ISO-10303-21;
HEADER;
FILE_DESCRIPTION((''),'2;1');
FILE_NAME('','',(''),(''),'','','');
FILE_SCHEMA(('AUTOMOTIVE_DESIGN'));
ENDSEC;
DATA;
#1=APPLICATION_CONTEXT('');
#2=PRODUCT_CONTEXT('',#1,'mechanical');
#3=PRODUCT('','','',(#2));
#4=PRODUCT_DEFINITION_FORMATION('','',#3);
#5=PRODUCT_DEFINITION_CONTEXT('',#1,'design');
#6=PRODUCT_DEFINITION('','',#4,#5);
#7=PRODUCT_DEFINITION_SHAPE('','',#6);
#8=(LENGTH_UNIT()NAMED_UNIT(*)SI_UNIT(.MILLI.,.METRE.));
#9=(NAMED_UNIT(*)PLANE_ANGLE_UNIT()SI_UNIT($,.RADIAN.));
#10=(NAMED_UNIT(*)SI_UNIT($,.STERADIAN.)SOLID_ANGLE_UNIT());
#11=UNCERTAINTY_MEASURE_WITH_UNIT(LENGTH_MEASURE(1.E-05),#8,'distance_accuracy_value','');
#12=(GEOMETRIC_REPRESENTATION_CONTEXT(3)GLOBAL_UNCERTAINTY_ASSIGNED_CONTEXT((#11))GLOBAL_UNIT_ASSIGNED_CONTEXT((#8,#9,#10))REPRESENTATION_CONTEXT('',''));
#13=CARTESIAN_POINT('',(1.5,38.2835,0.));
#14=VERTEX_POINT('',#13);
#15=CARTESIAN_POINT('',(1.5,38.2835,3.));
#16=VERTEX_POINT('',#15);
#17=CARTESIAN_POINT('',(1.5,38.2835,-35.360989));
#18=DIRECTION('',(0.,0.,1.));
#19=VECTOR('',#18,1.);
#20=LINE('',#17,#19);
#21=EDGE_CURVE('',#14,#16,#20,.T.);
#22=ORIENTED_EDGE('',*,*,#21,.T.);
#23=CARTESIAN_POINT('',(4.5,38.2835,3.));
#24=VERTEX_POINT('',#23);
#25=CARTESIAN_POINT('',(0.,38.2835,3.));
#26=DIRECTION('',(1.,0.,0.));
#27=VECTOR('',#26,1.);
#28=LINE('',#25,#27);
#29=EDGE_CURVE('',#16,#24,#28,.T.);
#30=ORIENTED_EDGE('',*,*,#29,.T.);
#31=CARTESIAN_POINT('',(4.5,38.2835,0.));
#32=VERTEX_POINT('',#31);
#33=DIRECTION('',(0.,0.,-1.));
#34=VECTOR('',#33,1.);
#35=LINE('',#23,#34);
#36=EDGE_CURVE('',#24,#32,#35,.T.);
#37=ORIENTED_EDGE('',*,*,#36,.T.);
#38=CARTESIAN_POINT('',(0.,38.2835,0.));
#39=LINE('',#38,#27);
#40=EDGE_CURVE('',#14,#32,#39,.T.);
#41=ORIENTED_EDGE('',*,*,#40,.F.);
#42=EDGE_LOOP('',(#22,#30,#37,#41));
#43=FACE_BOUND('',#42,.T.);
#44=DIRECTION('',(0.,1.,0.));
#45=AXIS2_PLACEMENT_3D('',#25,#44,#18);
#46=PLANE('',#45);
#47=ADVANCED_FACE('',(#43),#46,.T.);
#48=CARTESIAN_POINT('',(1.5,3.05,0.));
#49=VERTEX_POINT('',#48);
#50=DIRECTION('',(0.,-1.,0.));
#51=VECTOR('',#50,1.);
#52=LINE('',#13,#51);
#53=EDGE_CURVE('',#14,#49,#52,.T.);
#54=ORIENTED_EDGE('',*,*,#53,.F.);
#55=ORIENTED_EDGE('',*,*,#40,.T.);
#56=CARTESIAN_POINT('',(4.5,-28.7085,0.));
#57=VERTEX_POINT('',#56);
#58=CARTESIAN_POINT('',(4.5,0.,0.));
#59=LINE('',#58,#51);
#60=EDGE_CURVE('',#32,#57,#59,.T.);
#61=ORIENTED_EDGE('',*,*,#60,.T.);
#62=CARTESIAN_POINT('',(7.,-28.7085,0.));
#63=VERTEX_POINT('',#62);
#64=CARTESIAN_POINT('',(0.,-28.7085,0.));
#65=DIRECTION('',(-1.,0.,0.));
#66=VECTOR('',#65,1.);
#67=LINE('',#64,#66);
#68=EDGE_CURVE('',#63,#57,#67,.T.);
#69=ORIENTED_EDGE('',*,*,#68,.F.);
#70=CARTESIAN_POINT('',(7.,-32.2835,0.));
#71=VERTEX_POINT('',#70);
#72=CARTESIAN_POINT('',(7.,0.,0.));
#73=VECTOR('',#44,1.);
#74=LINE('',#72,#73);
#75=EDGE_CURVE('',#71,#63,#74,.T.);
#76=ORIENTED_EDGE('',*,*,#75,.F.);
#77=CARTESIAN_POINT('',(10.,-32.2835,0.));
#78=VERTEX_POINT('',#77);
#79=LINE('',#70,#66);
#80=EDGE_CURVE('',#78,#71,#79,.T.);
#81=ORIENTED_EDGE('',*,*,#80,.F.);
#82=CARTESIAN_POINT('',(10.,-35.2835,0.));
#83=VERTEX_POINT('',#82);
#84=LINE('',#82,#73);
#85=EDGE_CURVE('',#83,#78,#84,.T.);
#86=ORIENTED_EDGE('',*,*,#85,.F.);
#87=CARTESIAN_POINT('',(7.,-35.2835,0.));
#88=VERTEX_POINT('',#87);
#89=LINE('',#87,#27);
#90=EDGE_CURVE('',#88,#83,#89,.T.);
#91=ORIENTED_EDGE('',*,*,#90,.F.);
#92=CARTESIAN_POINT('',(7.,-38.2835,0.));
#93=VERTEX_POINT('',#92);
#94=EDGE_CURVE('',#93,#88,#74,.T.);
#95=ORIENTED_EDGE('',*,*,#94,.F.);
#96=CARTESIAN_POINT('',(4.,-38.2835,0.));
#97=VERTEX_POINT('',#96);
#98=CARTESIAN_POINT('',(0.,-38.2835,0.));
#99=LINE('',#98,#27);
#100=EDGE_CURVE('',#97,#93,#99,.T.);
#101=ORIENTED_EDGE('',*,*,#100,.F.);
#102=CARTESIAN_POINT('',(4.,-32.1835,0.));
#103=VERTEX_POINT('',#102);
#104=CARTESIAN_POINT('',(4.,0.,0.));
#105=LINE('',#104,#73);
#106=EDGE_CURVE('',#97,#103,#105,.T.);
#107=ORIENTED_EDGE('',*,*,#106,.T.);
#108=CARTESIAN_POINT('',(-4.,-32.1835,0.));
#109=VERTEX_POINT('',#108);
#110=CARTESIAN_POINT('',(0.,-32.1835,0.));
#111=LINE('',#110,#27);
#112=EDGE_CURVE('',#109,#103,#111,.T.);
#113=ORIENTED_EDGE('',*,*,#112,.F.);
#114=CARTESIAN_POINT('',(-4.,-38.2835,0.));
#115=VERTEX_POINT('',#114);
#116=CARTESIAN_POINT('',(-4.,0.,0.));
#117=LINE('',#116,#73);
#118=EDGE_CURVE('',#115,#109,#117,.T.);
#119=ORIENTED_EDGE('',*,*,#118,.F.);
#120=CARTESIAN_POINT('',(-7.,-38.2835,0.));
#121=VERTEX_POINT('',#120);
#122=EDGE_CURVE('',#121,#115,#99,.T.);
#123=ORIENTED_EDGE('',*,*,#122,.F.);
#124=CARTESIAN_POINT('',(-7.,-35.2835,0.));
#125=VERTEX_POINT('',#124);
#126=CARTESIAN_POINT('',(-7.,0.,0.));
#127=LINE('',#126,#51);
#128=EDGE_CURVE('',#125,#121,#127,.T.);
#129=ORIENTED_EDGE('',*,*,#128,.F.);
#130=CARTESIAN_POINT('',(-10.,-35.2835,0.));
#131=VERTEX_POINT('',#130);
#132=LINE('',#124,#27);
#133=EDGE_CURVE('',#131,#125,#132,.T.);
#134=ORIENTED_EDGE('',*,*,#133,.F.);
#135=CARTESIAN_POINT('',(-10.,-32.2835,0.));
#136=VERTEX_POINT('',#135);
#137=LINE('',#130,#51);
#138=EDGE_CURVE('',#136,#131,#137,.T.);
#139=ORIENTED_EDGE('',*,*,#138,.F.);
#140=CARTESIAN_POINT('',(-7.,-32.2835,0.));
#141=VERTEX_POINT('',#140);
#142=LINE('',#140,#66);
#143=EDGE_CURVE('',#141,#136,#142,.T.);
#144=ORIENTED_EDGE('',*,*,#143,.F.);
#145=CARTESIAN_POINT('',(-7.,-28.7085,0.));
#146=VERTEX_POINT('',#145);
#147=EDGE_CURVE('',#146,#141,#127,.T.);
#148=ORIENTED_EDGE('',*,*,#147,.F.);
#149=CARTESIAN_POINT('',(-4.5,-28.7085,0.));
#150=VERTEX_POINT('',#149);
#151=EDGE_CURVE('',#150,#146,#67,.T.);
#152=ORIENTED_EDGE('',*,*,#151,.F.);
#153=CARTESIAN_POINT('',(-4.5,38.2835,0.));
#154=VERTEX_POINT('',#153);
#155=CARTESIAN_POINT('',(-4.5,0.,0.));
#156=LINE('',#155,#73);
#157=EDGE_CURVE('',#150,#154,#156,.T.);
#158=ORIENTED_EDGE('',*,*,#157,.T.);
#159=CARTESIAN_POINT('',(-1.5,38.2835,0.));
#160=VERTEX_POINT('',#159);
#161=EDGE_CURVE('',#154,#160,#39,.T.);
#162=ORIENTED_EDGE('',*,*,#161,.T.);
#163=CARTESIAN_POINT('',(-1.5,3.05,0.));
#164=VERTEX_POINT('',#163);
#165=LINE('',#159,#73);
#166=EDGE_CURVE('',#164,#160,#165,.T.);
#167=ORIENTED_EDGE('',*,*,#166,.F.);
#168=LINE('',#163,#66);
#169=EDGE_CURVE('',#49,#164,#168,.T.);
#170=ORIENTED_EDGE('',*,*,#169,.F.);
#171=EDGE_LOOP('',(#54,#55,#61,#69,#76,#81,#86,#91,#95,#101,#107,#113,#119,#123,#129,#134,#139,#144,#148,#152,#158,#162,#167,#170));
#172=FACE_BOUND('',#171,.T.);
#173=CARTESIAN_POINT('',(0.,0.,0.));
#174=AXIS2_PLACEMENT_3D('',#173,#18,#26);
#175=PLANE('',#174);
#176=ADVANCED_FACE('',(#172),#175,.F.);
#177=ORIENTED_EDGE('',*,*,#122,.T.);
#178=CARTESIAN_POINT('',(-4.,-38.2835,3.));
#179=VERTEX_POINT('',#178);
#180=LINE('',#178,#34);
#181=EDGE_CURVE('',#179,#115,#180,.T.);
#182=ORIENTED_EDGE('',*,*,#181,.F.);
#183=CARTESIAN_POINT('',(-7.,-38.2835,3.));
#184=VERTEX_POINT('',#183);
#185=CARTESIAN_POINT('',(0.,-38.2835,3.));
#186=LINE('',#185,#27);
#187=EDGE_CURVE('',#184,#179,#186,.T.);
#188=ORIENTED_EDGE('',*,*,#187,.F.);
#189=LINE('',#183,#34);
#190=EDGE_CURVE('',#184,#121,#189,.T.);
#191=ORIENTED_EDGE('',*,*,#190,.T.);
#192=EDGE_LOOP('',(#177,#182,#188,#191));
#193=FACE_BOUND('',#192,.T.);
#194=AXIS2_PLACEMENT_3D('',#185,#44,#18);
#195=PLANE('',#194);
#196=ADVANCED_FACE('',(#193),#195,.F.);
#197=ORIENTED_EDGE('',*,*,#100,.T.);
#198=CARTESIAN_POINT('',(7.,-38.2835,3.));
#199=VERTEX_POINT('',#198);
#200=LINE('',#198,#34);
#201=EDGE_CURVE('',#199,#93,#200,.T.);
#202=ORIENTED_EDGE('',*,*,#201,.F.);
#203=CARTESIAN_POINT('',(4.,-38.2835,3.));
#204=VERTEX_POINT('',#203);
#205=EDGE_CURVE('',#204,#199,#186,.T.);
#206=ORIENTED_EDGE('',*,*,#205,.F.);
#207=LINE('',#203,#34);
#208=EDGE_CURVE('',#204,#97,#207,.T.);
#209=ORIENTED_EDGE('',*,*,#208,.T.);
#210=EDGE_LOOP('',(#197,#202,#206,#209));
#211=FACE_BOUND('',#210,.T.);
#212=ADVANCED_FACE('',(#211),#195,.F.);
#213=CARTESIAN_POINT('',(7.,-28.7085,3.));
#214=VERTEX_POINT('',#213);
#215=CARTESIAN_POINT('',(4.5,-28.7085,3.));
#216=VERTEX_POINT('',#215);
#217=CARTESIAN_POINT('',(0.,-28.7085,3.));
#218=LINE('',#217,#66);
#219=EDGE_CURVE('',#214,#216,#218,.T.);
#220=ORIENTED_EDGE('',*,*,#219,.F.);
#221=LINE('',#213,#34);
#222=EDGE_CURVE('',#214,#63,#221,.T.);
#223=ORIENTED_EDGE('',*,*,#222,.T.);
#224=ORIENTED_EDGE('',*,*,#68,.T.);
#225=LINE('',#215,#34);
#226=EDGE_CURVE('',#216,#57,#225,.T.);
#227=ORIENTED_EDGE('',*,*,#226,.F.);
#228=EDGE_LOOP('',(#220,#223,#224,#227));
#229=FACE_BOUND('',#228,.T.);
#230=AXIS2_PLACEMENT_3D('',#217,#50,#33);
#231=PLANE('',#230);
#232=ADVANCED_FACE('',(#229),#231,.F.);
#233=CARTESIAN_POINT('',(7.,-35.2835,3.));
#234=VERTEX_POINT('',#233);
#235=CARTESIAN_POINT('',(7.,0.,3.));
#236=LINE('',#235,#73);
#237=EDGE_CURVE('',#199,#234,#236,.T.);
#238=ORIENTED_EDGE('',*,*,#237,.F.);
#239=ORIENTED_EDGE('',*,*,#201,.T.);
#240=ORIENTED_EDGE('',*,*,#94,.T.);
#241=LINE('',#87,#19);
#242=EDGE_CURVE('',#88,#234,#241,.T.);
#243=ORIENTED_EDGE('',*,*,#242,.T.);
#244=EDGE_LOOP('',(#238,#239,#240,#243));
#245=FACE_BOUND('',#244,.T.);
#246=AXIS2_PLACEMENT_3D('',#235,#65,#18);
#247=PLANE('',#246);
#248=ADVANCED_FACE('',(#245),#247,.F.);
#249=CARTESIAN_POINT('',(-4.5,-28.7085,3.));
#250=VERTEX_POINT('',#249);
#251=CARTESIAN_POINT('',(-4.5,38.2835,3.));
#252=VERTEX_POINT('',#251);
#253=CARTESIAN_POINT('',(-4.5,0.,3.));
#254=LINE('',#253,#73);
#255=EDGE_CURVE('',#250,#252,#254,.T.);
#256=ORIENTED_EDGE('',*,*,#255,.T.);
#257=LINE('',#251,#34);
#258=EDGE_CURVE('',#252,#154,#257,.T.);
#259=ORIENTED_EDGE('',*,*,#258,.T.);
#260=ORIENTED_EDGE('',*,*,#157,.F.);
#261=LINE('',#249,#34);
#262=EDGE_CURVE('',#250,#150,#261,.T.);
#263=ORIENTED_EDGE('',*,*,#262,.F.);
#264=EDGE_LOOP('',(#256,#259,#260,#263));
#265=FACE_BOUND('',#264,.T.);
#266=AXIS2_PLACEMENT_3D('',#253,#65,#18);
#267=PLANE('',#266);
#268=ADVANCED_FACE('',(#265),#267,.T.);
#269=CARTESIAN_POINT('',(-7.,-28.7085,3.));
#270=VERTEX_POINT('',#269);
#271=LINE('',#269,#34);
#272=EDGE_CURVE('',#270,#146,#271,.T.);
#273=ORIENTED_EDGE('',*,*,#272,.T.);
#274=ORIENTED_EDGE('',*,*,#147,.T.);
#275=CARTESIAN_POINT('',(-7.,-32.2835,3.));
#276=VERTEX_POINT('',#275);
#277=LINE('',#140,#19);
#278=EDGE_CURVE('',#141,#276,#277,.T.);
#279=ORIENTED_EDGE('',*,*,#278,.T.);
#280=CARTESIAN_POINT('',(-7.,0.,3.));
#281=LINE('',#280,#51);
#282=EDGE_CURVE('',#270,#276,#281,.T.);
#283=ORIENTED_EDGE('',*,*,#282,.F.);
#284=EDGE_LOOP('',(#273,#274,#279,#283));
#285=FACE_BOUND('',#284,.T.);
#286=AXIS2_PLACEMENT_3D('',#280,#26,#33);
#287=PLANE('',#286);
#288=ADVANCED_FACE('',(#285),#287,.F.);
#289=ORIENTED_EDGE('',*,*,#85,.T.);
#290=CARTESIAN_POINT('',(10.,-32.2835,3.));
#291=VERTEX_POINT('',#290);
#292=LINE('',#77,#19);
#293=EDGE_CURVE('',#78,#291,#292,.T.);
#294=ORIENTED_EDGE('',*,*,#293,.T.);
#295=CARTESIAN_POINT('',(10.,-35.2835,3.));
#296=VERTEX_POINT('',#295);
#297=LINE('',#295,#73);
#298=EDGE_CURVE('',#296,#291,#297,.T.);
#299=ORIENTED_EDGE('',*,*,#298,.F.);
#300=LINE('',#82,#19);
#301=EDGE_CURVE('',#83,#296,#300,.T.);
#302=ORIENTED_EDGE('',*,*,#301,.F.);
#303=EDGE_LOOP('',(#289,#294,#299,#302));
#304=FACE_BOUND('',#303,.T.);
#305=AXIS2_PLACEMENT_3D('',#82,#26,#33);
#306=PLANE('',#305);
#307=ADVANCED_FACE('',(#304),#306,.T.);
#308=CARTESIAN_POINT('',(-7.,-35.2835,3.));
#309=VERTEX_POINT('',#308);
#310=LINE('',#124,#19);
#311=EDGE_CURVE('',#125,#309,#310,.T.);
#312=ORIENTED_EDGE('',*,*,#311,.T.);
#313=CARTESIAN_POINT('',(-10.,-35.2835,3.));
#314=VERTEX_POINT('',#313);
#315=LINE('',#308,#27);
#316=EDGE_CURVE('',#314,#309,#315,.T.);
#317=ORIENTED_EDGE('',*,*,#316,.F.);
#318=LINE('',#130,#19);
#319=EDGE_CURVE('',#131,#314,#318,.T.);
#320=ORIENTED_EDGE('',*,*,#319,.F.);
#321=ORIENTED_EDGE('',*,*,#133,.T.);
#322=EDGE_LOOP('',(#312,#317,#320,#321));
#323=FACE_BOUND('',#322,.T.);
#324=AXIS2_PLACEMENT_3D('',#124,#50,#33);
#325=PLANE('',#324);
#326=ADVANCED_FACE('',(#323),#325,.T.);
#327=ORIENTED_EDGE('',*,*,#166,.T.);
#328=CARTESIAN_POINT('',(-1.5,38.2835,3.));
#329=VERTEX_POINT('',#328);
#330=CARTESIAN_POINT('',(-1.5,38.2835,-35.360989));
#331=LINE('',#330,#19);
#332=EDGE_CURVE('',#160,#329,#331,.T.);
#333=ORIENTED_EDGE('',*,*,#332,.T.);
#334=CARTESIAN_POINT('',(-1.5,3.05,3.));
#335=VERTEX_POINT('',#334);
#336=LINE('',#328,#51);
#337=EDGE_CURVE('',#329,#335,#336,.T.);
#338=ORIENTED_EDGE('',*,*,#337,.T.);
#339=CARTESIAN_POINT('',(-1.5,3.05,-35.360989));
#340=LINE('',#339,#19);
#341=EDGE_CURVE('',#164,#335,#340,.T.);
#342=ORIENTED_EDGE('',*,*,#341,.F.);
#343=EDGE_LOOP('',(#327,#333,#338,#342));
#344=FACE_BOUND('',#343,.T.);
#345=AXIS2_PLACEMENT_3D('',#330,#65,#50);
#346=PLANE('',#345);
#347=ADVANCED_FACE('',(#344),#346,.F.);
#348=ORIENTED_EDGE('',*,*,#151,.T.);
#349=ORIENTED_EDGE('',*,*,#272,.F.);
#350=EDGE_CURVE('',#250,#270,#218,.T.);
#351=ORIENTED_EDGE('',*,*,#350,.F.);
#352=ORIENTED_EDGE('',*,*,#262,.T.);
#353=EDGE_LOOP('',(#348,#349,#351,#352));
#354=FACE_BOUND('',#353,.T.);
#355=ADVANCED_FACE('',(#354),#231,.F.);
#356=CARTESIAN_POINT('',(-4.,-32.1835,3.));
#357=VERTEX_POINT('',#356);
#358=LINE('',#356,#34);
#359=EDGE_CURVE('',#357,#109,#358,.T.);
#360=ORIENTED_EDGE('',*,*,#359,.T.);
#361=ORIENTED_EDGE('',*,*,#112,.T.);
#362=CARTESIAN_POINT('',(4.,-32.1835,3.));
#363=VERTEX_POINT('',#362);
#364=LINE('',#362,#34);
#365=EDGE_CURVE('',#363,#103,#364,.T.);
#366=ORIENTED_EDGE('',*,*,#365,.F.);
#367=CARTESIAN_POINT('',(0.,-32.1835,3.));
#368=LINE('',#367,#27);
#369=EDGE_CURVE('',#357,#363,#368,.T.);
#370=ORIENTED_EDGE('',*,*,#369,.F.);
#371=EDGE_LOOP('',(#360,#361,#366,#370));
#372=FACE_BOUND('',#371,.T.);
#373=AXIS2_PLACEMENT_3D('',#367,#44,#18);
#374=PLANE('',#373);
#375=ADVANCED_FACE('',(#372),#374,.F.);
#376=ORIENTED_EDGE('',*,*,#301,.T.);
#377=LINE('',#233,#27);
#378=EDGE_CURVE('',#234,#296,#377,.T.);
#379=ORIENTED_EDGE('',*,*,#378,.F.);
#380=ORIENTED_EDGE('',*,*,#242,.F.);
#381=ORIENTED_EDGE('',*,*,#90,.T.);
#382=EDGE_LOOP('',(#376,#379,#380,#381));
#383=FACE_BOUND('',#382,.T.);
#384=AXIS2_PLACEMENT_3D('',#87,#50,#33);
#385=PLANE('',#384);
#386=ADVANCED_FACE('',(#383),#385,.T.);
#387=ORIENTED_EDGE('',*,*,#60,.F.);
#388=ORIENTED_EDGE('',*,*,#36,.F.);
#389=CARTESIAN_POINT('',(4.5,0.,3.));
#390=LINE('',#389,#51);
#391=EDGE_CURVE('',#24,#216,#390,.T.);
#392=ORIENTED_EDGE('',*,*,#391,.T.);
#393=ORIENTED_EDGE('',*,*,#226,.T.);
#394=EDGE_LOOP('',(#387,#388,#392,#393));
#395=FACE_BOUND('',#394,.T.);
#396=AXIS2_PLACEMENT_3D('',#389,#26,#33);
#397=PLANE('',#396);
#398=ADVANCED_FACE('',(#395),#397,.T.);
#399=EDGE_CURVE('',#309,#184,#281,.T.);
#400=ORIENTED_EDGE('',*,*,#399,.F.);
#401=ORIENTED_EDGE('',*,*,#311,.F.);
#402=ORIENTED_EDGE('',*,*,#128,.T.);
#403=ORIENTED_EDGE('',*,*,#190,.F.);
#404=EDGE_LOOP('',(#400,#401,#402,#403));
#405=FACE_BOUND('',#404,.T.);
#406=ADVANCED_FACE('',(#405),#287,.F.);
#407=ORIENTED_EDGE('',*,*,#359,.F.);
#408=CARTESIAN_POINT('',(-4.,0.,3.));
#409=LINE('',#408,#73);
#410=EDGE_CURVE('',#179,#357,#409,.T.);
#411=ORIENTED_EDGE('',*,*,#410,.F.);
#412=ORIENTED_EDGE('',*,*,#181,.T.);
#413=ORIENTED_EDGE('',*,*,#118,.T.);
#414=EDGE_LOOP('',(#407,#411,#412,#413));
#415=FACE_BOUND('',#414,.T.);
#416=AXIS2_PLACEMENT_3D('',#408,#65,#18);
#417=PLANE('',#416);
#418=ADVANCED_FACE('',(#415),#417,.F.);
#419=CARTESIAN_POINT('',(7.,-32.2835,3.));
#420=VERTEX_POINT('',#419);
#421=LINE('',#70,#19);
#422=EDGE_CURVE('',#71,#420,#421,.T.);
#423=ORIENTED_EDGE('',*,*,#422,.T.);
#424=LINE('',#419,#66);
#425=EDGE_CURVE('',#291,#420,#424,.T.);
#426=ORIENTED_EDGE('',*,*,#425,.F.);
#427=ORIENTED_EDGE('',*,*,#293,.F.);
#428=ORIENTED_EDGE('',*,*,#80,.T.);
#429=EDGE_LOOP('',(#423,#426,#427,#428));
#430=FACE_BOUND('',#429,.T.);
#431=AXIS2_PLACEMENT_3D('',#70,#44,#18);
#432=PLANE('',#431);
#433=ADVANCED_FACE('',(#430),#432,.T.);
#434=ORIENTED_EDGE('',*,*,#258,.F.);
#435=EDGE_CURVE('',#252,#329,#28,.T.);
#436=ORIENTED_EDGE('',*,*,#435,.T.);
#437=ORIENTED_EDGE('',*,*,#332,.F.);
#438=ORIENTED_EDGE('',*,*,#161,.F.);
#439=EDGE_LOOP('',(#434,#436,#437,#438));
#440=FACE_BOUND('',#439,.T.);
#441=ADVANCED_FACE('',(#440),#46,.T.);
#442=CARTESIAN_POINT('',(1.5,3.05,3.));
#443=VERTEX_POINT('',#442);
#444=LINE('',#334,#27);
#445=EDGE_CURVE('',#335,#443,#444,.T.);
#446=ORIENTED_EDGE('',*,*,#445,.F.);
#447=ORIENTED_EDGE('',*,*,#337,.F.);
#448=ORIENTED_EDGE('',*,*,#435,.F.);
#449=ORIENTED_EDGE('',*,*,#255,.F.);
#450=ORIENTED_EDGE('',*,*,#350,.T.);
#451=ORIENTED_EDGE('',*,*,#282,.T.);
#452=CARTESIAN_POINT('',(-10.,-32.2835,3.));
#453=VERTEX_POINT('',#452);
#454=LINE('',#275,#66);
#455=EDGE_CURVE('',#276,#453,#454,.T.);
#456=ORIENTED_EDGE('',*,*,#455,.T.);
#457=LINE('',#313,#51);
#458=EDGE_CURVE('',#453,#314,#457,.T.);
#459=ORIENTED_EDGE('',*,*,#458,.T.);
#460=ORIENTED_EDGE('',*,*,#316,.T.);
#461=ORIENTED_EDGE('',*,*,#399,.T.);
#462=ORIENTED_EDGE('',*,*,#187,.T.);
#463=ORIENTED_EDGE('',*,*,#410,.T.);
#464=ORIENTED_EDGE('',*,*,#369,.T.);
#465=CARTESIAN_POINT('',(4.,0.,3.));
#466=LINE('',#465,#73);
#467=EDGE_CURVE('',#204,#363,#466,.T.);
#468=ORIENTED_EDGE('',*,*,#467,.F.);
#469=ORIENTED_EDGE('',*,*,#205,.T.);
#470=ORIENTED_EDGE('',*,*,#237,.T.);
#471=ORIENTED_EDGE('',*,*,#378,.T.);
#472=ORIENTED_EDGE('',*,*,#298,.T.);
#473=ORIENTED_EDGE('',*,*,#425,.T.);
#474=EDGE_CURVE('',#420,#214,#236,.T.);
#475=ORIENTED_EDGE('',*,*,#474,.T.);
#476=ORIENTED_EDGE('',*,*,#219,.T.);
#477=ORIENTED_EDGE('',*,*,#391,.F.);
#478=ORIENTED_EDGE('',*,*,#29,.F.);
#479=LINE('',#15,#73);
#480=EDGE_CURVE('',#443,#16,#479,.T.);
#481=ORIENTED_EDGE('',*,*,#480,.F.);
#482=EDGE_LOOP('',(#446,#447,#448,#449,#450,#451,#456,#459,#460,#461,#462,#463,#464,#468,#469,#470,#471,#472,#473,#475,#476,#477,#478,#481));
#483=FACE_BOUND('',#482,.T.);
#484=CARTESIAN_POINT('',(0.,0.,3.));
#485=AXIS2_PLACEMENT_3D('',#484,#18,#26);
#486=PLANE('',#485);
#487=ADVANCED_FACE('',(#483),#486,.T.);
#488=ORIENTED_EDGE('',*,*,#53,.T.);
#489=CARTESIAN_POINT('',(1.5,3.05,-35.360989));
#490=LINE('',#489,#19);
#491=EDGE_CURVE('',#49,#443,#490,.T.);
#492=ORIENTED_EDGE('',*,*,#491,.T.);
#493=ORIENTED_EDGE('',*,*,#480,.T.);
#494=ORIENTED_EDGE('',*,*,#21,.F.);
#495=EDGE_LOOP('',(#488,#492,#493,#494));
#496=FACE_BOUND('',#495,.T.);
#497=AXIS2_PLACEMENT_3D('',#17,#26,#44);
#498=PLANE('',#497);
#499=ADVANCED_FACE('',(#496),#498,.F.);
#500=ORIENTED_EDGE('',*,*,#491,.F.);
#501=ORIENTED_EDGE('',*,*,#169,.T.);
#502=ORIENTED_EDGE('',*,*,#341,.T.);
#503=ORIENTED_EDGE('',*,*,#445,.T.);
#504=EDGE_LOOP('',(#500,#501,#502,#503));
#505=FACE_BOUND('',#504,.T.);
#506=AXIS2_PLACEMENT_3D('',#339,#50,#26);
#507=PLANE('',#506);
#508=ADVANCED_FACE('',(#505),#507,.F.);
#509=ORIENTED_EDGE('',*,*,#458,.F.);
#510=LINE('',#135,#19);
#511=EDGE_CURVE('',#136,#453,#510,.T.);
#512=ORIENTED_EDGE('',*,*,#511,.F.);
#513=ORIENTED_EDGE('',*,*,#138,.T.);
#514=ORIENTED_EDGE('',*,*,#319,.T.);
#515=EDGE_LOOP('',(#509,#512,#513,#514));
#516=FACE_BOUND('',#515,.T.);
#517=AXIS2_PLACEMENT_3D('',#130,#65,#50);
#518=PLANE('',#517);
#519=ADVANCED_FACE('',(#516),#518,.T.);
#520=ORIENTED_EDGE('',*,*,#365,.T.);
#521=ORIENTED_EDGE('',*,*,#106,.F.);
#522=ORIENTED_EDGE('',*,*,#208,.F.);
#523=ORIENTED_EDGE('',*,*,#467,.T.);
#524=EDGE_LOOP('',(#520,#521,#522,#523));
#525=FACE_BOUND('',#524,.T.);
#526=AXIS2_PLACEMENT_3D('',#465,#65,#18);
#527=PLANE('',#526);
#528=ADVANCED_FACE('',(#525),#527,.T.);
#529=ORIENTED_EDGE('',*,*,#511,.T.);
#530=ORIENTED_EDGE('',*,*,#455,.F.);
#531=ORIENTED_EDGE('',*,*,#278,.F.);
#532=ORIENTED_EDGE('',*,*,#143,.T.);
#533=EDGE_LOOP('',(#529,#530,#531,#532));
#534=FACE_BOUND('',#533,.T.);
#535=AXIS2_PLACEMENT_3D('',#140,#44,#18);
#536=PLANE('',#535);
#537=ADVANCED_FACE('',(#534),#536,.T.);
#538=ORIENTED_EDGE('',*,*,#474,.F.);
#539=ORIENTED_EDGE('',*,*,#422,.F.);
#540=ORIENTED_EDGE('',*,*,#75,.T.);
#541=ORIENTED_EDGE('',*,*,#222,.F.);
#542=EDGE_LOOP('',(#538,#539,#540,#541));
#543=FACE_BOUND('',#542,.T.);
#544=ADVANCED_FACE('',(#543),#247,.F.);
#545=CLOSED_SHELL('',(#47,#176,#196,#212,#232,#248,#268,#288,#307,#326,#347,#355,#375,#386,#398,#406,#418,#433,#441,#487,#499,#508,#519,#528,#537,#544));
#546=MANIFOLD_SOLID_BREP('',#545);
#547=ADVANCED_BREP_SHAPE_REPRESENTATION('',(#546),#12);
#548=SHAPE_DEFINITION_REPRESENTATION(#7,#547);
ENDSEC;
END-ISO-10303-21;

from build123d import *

# Parameters (mm, degrees)
EXTRUDE_1_DEPTH     = 3
SKETCH_2_W          = 3
SKETCH_2_H          = 35.233500033
CUT_EXTRUDE_1_DEPTH = 3
SKETCH_3_W          = 3
SKETCH_3_H          = 3
EXTRUDE_2_DEPTH     = 3


with BuildPart() as part:
    # 스케치1 → 보스-돌출1 (new body)
    with BuildSketch(Plane.XY):
        Polygon((-4.5, 38.283500033), (4.5, 38.283500033), (4.5, -28.708499937), (7, -28.708499937), (7, -38.283500033), (4, -38.283500033), (4, -32.183500033), (-4, -32.183500033), (-4, -38.283500033), (-7, -38.283500033), (-7, -28.708499937), (-4.5, -28.708499937), align=None)
    extrude(amount=EXTRUDE_1_DEPTH)

    # 스케치2 → 컷-돌출1 (cut)
    with BuildSketch(Plane.XY.offset(3)):
        with Locations((0, 20.666750016)):
            Rectangle(SKETCH_2_W, SKETCH_2_H)
    extrude(amount=-CUT_EXTRUDE_1_DEPTH, mode=Mode.SUBTRACT)

    # 스케치3 → 보스-돌출2 (add)
    with BuildSketch(Plane.XY.offset(3)):
        with Locations((-8.5, -33.783500033)):
            Rectangle(SKETCH_3_W, SKETCH_3_H)
        with Locations((8.5, -33.783500033)):
            Rectangle(SKETCH_3_W, SKETCH_3_H)
    extrude(amount=-EXTRUDE_2_DEPTH)


solid = part.part
